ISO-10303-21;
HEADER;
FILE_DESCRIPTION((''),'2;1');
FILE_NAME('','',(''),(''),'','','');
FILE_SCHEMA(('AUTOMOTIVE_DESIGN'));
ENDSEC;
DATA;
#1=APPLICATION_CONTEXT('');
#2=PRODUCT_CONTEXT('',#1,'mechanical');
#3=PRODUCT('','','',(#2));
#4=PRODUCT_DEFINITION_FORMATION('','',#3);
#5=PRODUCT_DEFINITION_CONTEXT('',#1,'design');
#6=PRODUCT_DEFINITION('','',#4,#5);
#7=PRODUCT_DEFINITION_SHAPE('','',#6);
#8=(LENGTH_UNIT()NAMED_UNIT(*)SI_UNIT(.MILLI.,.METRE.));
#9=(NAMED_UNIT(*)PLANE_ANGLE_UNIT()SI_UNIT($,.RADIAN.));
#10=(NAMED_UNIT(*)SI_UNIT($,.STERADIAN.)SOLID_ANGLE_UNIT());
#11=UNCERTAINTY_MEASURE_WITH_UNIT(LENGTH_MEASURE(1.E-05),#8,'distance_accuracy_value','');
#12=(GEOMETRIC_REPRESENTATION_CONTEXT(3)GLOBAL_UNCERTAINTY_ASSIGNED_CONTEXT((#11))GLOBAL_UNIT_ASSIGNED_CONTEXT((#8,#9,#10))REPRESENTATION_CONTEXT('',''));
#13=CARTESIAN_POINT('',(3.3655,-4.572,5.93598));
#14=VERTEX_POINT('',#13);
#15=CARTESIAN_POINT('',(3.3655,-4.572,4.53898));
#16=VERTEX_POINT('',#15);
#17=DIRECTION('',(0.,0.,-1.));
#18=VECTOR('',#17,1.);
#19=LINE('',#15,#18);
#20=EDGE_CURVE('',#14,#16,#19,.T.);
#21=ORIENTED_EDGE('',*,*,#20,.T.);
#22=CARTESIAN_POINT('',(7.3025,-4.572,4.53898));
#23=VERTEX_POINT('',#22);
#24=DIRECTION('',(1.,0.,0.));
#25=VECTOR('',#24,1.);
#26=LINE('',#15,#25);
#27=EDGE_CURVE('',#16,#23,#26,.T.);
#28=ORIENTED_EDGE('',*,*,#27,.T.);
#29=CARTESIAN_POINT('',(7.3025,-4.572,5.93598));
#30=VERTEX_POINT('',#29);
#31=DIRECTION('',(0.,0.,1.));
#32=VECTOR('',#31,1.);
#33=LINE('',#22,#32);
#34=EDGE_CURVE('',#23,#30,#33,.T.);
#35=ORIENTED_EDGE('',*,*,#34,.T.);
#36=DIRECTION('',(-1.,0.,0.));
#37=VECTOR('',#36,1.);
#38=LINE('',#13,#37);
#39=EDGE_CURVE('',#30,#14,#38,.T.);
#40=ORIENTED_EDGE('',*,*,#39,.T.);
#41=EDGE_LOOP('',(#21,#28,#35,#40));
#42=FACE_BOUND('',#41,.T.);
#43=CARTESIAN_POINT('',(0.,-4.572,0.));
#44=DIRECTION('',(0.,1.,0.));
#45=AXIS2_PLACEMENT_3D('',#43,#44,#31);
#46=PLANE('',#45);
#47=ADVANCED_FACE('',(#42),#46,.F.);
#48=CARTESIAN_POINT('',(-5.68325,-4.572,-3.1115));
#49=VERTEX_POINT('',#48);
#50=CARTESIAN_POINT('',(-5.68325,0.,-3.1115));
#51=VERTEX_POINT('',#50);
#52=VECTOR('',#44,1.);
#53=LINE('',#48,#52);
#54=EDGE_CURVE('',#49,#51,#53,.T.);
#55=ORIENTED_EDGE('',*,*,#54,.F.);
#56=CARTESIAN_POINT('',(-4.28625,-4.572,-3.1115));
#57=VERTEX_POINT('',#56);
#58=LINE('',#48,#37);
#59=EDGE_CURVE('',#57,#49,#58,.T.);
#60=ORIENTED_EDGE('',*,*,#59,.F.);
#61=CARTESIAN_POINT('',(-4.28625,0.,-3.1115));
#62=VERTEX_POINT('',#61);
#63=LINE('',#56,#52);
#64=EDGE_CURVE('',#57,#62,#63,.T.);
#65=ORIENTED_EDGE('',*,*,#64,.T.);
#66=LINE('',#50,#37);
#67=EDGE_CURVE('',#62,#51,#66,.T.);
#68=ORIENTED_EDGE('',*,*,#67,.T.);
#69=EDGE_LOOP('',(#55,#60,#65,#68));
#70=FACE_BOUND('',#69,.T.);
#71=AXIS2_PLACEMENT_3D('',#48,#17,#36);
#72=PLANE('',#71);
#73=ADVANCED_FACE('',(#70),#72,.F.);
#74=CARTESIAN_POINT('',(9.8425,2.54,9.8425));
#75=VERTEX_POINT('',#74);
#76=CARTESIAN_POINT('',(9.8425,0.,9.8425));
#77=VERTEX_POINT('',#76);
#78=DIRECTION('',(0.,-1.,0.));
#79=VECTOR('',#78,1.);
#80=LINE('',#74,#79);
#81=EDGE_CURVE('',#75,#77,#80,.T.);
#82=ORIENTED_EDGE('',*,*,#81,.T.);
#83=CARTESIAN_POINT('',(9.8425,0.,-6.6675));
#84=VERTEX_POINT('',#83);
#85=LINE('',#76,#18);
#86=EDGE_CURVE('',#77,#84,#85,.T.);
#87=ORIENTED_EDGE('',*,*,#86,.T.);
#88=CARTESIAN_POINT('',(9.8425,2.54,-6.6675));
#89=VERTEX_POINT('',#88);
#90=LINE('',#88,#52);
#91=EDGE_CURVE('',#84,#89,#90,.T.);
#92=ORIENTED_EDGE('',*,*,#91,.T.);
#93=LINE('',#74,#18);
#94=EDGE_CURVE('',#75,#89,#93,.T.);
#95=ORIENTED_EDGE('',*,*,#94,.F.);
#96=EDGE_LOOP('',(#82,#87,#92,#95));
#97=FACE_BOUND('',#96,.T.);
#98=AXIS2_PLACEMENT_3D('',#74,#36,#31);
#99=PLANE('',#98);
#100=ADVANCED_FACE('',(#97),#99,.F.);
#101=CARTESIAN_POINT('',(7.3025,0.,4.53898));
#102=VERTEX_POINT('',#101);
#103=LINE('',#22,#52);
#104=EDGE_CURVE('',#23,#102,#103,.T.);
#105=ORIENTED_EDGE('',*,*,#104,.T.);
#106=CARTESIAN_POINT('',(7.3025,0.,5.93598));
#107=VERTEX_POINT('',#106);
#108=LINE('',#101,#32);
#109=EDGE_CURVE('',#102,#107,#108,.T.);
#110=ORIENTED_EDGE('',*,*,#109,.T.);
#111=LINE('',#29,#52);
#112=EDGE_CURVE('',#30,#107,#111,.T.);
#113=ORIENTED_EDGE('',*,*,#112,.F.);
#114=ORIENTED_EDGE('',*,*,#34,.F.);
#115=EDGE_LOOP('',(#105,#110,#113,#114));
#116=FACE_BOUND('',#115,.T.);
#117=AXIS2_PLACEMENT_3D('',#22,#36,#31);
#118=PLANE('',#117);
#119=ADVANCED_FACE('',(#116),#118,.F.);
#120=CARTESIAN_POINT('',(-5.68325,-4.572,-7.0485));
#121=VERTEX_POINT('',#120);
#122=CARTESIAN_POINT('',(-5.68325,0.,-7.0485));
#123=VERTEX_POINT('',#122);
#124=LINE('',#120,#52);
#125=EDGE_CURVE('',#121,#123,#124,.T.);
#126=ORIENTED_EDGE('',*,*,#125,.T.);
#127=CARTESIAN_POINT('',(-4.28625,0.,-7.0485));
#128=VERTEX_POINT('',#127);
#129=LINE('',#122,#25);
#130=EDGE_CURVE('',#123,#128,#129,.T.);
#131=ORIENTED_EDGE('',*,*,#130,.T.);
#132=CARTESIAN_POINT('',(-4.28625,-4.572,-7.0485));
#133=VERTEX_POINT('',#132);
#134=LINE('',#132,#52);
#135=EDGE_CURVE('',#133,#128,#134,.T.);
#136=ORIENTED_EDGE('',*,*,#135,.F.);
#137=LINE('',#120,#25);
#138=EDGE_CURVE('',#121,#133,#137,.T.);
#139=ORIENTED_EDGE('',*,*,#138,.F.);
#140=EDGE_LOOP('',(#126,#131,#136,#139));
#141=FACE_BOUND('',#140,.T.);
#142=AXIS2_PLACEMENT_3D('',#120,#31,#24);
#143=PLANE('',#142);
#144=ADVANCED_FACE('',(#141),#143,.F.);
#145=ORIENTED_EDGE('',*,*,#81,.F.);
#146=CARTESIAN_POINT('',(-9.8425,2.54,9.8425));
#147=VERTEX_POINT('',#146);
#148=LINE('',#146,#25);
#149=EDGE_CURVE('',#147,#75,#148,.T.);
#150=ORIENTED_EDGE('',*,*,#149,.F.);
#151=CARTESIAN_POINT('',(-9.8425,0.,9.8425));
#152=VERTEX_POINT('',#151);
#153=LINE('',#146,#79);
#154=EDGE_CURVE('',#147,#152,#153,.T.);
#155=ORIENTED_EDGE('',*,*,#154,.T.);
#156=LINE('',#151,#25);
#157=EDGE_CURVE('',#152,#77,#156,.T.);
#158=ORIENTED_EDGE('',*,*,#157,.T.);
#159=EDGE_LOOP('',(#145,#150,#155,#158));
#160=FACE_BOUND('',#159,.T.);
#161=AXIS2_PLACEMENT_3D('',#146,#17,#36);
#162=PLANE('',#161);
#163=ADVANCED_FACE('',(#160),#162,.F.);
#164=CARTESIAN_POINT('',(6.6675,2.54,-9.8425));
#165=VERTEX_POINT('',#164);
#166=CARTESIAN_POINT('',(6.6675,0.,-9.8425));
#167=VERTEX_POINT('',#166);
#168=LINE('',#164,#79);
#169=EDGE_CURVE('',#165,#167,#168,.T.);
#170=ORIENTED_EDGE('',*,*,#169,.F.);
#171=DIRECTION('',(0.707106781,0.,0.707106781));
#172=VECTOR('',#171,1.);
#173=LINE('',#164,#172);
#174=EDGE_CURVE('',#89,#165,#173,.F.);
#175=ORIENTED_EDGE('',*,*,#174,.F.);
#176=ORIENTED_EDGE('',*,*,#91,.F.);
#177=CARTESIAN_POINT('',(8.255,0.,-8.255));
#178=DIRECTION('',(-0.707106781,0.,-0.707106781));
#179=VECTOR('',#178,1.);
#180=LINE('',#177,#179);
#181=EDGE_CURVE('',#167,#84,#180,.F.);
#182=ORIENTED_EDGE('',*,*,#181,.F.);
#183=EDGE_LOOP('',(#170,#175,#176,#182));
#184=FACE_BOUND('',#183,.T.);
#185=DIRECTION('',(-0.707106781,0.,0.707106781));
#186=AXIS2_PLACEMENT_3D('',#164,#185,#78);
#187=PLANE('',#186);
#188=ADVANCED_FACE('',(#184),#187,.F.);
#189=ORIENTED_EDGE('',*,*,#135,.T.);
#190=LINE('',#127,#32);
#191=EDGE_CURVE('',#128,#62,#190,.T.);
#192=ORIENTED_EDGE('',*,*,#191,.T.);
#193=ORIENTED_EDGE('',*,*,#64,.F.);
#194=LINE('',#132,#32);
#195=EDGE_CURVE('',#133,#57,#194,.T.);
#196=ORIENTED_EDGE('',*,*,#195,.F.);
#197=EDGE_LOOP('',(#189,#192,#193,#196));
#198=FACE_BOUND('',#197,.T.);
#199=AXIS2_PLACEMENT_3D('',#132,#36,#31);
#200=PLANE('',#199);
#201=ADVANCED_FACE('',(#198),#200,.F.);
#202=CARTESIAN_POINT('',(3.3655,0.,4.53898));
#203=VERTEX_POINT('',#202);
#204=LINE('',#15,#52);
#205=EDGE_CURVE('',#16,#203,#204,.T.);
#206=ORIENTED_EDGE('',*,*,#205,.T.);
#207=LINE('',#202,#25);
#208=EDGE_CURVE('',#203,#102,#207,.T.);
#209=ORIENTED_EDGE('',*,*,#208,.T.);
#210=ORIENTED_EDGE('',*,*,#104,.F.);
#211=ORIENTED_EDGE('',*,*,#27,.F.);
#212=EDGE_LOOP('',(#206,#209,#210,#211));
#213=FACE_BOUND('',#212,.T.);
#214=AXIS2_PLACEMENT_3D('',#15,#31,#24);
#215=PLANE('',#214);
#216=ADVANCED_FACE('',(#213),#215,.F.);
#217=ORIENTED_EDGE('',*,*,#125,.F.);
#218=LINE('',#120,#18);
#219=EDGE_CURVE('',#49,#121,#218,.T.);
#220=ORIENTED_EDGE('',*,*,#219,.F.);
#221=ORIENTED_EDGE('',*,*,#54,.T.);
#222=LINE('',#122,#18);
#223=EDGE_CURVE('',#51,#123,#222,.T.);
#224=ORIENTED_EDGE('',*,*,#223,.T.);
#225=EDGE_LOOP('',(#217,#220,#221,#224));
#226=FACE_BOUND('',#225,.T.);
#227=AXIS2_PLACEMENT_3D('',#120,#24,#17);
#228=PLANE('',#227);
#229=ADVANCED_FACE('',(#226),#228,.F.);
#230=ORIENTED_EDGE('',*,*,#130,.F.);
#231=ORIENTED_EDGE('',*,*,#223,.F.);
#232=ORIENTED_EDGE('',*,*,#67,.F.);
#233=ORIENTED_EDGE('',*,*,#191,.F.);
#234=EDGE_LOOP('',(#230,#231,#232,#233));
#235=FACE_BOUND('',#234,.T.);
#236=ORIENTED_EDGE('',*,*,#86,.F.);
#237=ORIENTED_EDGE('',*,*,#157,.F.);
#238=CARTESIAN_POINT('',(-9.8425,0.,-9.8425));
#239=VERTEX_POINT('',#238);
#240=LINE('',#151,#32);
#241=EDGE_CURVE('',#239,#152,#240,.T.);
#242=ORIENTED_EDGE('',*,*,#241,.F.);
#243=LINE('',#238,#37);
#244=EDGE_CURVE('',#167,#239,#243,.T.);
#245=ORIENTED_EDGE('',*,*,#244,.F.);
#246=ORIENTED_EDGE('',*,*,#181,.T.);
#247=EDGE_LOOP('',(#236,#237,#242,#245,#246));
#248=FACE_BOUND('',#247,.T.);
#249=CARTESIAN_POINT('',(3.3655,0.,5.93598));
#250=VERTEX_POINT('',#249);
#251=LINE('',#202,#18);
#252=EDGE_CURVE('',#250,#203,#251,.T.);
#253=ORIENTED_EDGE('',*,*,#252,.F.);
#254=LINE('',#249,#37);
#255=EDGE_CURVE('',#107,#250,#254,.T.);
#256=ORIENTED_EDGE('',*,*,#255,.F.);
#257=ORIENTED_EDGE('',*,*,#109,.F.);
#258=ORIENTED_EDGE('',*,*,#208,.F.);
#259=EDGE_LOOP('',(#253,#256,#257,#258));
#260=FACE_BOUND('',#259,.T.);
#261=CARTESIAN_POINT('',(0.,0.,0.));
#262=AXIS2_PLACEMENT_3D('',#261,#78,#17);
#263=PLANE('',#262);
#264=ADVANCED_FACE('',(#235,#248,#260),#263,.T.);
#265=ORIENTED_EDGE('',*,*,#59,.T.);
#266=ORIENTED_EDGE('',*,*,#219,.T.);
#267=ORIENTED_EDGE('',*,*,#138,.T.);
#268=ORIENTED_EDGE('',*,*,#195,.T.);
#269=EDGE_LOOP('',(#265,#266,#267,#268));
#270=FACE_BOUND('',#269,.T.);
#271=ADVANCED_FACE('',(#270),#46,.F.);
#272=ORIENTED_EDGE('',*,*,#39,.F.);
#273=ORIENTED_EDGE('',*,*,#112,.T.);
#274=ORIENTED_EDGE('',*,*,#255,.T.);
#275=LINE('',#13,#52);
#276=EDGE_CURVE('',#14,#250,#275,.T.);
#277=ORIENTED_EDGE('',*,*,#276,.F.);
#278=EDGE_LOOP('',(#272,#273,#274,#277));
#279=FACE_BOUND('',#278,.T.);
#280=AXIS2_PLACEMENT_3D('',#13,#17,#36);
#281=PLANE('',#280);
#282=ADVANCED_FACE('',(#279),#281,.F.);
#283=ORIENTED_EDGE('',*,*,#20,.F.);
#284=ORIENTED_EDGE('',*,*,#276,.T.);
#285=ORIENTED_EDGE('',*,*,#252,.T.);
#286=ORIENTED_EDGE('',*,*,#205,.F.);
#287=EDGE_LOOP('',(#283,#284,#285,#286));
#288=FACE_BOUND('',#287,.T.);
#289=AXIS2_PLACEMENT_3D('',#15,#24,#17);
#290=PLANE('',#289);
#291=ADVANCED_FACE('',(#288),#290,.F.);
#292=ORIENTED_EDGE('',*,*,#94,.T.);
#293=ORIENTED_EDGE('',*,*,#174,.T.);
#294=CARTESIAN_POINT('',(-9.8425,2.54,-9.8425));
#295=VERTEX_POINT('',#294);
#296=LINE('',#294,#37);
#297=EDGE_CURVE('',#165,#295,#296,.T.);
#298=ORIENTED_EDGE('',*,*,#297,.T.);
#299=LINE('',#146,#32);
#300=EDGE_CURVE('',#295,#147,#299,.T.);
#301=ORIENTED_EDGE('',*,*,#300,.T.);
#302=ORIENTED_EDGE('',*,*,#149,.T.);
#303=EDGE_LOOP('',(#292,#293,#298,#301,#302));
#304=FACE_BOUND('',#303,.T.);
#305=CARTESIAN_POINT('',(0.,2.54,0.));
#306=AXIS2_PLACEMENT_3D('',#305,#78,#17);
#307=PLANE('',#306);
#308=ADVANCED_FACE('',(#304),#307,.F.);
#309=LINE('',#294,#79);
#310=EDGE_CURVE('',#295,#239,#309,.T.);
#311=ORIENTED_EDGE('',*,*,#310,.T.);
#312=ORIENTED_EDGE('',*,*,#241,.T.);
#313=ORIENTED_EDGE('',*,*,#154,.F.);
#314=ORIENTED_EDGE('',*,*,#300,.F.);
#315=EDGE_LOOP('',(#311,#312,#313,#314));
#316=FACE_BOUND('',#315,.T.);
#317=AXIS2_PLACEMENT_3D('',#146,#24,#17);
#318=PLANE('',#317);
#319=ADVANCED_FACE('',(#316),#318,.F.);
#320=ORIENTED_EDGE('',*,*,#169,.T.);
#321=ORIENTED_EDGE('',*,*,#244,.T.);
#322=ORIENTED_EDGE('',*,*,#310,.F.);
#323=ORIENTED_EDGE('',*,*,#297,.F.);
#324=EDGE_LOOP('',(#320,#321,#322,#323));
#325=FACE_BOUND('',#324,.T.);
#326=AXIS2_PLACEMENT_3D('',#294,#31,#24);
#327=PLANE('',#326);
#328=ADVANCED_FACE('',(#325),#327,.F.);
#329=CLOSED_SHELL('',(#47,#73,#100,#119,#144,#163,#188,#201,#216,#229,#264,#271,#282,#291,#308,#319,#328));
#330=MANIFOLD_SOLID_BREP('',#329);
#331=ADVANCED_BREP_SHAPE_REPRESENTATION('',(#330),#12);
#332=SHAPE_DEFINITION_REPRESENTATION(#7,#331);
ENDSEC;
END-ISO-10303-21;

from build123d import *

# Parameters (mm, degrees)
SKETCH1_W           = 19.685
SKETCH1_H           = 19.685
BOSS_EXTRUDE1_DEPTH = 2.54
SKETCH3_W           = 1.397
SKETCH3_H           = 3.937
SKETCH3_W_2         = 3.937
SKETCH3_H_2         = 1.397
BOSS_EXTRUDE2_DEPTH = 4.572
CHAMFER1_SIZE       = 3.175


with BuildPart() as part:
    # Sketch1 → Boss-Extrude1 (new body)
    with BuildSketch(Plane(origin=(0, 0, 0), x_dir=(1, 0, 0), z_dir=(0, 1, 0))):
        Rectangle(SKETCH1_W, SKETCH1_H)
    extrude(amount=BOSS_EXTRUDE1_DEPTH)

    # Sketch3 → Boss-Extrude2 (add)
    with BuildSketch(Plane.XZ):
        with Locations((-4.98475, -5.08)):
            Rectangle(SKETCH3_W, SKETCH3_H)
        with Locations((5.334, 5.23748)):
            Rectangle(SKETCH3_W_2, SKETCH3_H_2)
    extrude(amount=BOSS_EXTRUDE2_DEPTH)

    # Chamfer1
    chamfer1_edges = [part.edges().sort_by_distance(p)[0] for p in [
        (9.8425, 1.27, -9.8425),
    ]]
    chamfer(chamfer1_edges, length=CHAMFER1_SIZE)


solid = part.part
